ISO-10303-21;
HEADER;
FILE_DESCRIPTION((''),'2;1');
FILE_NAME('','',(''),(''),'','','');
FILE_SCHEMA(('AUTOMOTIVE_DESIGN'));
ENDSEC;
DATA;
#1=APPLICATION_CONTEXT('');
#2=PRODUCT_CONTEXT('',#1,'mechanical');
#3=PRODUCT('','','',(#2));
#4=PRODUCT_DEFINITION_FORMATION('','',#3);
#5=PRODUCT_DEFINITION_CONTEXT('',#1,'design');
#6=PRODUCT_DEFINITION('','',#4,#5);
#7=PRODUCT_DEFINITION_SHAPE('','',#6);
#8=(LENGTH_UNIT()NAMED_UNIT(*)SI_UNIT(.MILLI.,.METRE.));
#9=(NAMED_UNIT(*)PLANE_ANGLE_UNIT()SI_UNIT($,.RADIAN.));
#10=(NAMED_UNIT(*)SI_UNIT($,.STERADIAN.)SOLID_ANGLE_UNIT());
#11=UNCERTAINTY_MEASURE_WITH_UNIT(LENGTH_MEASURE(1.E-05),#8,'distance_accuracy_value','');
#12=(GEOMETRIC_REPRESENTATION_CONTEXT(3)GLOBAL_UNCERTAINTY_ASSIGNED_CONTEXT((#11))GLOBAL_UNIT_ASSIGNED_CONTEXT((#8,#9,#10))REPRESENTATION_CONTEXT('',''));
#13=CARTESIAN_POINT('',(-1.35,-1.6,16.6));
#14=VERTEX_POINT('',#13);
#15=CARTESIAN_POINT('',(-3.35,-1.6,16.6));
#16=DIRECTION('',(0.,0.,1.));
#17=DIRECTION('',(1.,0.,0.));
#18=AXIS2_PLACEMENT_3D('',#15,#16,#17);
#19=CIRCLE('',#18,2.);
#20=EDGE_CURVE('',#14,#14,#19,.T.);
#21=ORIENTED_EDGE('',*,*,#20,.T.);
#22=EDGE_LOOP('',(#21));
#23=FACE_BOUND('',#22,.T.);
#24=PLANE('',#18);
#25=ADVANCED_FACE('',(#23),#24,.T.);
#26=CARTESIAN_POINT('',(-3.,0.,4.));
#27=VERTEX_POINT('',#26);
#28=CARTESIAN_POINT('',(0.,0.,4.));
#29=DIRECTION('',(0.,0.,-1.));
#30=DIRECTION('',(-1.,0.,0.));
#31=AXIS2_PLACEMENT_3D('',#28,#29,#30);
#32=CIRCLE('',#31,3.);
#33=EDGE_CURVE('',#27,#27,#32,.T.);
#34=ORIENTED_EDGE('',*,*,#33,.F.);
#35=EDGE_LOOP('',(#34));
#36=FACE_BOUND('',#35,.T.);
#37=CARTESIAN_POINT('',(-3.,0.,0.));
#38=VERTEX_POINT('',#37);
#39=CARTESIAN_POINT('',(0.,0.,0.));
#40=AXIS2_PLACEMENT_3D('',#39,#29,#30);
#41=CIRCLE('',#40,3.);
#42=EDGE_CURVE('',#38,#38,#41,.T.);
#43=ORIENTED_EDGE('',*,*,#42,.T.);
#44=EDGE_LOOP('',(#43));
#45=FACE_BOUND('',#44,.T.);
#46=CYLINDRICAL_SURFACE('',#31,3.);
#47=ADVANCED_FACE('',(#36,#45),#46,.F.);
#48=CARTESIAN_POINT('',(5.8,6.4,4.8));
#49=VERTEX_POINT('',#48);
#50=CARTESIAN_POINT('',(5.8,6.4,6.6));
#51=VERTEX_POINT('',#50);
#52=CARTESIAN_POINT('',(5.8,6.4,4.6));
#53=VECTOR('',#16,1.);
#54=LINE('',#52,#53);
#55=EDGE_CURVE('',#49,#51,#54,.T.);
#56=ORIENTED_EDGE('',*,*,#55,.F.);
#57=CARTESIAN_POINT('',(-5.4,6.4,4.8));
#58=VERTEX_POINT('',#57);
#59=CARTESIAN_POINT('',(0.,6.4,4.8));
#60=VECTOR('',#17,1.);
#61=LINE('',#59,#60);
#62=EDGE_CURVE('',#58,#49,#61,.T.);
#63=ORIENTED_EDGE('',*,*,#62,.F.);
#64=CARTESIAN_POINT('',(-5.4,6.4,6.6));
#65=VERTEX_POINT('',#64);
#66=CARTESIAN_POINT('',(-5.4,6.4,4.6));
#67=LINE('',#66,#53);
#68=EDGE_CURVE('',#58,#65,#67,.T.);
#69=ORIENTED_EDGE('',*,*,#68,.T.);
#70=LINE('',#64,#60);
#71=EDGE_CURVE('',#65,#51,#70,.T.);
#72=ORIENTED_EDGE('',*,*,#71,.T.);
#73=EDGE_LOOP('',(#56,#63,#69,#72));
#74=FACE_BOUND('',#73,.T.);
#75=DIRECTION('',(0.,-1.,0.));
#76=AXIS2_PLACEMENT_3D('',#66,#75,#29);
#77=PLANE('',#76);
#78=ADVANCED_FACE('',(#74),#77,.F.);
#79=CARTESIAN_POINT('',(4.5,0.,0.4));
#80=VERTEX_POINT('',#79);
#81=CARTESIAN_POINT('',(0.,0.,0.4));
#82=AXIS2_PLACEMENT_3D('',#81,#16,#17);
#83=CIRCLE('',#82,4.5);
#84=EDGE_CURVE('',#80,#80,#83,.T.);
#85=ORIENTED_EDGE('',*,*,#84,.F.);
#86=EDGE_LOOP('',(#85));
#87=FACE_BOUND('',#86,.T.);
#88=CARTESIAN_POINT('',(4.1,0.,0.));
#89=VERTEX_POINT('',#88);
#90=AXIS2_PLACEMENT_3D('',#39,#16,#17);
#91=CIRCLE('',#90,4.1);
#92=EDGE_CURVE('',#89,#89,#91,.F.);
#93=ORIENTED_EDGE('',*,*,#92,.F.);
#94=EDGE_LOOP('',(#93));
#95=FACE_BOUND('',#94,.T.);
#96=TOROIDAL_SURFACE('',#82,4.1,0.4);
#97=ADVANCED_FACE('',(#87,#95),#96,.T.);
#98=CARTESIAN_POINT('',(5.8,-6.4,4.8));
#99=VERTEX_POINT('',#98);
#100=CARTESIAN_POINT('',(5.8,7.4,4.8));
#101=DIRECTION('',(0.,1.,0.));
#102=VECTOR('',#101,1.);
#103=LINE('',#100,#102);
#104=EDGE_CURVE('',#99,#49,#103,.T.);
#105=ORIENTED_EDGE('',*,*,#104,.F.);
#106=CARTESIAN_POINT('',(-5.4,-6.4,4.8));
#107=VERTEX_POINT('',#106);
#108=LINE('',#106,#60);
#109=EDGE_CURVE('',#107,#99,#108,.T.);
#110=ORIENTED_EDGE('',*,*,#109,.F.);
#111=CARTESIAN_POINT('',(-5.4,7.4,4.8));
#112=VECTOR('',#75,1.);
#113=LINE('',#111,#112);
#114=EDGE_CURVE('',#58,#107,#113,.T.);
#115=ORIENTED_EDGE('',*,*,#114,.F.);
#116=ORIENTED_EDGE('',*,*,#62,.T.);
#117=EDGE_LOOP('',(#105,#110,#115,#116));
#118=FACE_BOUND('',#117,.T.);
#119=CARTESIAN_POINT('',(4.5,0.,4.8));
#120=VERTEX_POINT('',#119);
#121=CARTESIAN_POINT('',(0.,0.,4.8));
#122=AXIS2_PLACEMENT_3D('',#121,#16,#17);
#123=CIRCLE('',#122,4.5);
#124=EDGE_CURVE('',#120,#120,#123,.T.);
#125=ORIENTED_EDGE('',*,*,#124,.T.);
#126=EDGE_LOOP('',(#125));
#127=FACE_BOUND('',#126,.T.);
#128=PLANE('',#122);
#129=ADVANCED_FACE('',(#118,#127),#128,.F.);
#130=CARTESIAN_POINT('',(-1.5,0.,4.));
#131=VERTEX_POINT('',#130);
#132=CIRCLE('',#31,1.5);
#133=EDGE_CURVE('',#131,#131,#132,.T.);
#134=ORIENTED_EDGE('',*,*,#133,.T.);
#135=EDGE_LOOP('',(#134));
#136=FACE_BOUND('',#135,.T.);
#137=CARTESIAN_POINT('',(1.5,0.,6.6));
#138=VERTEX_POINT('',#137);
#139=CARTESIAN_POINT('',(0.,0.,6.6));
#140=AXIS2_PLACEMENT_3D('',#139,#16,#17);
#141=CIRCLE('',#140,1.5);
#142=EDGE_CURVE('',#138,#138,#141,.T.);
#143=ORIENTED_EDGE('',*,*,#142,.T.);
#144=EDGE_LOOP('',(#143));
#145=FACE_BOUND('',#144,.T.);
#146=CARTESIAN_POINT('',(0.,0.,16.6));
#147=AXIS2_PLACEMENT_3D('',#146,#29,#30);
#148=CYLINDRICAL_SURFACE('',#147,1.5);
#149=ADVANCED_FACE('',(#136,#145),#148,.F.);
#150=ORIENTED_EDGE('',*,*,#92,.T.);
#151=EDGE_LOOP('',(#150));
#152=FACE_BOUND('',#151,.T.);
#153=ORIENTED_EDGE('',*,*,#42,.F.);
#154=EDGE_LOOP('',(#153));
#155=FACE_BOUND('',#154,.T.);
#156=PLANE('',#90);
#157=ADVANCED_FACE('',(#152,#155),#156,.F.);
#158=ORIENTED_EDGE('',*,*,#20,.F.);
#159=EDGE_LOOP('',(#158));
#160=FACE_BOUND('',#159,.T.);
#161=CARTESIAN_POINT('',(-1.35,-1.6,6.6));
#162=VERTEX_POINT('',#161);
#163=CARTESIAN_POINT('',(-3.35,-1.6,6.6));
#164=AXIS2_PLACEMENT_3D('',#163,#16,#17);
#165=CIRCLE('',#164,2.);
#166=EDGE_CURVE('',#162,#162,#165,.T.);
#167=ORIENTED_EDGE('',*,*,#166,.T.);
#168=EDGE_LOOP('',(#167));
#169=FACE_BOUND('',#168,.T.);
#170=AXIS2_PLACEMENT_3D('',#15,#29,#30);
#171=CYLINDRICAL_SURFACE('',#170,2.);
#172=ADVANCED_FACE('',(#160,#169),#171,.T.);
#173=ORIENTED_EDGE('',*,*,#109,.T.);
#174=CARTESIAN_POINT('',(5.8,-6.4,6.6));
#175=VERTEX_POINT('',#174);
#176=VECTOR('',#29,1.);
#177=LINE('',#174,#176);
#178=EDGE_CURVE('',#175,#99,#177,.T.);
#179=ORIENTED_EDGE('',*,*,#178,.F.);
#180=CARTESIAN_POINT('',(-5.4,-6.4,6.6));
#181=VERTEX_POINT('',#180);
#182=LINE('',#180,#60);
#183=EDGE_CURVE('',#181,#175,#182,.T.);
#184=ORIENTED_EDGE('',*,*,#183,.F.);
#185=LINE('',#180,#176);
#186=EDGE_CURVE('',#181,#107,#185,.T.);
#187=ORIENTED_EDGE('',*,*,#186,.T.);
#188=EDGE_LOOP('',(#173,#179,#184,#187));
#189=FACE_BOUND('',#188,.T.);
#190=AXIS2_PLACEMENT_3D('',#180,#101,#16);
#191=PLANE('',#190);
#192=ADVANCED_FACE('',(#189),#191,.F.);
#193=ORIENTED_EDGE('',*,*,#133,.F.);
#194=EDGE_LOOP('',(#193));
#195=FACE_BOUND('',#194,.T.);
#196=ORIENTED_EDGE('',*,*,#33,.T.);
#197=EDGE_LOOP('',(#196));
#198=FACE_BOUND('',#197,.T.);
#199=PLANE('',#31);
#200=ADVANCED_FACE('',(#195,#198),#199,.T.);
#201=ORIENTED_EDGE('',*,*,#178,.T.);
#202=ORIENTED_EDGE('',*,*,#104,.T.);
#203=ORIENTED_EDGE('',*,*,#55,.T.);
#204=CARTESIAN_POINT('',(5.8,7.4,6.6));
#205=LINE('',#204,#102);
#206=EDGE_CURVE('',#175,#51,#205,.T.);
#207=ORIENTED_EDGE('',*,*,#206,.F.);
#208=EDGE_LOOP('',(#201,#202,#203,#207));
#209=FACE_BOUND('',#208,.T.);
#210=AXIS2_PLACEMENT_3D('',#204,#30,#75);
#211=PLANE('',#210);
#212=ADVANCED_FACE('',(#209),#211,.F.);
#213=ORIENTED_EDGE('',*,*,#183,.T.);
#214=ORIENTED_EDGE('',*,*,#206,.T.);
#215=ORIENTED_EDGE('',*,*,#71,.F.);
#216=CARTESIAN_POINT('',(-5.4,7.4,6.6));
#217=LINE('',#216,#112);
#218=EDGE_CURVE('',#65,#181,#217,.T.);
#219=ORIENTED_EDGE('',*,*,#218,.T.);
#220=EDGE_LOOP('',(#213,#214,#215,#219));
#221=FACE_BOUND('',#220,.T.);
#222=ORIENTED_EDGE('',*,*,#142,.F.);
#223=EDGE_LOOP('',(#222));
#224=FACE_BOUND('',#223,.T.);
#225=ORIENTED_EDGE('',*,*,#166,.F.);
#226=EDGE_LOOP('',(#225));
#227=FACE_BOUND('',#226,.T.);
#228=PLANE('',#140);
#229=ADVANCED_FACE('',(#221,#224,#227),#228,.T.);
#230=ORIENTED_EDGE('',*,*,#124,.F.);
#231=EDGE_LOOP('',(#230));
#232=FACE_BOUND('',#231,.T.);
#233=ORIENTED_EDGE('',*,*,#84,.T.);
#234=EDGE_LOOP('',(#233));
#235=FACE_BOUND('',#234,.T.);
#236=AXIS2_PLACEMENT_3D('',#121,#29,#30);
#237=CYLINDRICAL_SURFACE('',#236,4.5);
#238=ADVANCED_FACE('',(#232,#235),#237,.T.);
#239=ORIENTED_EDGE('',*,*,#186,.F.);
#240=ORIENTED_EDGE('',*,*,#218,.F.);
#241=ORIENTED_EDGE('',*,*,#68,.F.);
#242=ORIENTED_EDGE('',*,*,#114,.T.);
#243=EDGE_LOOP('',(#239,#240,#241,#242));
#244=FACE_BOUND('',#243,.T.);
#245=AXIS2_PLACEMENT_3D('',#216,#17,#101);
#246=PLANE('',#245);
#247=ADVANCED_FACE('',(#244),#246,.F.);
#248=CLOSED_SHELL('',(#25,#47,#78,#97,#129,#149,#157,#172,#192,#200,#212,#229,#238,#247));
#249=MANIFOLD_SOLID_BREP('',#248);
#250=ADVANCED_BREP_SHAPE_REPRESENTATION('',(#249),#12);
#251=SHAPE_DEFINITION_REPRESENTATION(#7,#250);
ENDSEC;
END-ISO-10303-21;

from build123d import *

# Parameters (mm, degrees)
SKETCH_1_R          = 4.5
EXTRUDE_1_DEPTH     = 4.8
SKETCH_2_W          = 11.2
SKETCH_2_H          = 13.8
EXTRUDE_2_DEPTH     = 1.8
SKETCH_4_R          = 2
EXTRUDE_5_DEPTH     = 10
SKETCH_6_W          = 11.2
SKETCH_6_H          = 1
CUT_EXTRUDE_2_DEPTH = 2
FILLET_1_R          = 0.4
SKETCH_3_R          = 3
CUT_EXTRUDE_1_DEPTH = 4
SKETCH_7_R          = 1.5
CUT_EXTRUDE_3_DEPTH = 16.276125163


with BuildPart() as part:
    # Эскиз1 → Бобышка-Вытянуть1 (new body)
    with BuildSketch(Plane.XY):
        Circle(SKETCH_1_R)
    extrude(amount=EXTRUDE_1_DEPTH)

    # Эскиз2 → Бобышка-Вытянуть2 (add)
    with BuildSketch(Plane.XY.offset(4.8)):
        with Locations((0.2, 0.5)):
            Rectangle(SKETCH_2_W, SKETCH_2_H)
    extrude(amount=EXTRUDE_2_DEPTH)

    # Эскиз4 → Бобышка-Вытянуть5 (add)
    with BuildSketch(Plane.XY.offset(6.6)):
        with Locations((-3.35, -1.6)):
            Circle(SKETCH_4_R)
    extrude(amount=EXTRUDE_5_DEPTH)

    # Эскиз6 → Вырез-Вытянуть2 (cut)
    with BuildSketch(Plane.XY.offset(6.6)):
        with Locations((0.2, 6.9)):
            Rectangle(SKETCH_6_W, SKETCH_6_H)
    extrude(amount=-CUT_EXTRUDE_2_DEPTH, mode=Mode.SUBTRACT)

    # Скругление1
    fillet_1_edges = [part.edges().sort_by_distance(p)[0] for p in [
        (-4.5, 0, 0),
    ]]
    fillet(fillet_1_edges, radius=FILLET_1_R)

    # Эскиз3 → Вырез-Вытянуть1 (cut)
    with BuildSketch(Plane(origin=(0, 0, 0), x_dir=(-1, 0, 0), z_dir=(0, 0, -1))):
        Circle(SKETCH_3_R)
    extrude(amount=-CUT_EXTRUDE_1_DEPTH, mode=Mode.SUBTRACT)

    # Эскиз7 → Вырез-Вытянуть3 (cut, through all)
    with BuildSketch(Plane(origin=(0, 0, 4), x_dir=(-1, 0, 0), z_dir=(0, 0, -1))):
        Circle(SKETCH_7_R)
    extrude(amount=-CUT_EXTRUDE_3_DEPTH, mode=Mode.SUBTRACT)


solid = part.part
